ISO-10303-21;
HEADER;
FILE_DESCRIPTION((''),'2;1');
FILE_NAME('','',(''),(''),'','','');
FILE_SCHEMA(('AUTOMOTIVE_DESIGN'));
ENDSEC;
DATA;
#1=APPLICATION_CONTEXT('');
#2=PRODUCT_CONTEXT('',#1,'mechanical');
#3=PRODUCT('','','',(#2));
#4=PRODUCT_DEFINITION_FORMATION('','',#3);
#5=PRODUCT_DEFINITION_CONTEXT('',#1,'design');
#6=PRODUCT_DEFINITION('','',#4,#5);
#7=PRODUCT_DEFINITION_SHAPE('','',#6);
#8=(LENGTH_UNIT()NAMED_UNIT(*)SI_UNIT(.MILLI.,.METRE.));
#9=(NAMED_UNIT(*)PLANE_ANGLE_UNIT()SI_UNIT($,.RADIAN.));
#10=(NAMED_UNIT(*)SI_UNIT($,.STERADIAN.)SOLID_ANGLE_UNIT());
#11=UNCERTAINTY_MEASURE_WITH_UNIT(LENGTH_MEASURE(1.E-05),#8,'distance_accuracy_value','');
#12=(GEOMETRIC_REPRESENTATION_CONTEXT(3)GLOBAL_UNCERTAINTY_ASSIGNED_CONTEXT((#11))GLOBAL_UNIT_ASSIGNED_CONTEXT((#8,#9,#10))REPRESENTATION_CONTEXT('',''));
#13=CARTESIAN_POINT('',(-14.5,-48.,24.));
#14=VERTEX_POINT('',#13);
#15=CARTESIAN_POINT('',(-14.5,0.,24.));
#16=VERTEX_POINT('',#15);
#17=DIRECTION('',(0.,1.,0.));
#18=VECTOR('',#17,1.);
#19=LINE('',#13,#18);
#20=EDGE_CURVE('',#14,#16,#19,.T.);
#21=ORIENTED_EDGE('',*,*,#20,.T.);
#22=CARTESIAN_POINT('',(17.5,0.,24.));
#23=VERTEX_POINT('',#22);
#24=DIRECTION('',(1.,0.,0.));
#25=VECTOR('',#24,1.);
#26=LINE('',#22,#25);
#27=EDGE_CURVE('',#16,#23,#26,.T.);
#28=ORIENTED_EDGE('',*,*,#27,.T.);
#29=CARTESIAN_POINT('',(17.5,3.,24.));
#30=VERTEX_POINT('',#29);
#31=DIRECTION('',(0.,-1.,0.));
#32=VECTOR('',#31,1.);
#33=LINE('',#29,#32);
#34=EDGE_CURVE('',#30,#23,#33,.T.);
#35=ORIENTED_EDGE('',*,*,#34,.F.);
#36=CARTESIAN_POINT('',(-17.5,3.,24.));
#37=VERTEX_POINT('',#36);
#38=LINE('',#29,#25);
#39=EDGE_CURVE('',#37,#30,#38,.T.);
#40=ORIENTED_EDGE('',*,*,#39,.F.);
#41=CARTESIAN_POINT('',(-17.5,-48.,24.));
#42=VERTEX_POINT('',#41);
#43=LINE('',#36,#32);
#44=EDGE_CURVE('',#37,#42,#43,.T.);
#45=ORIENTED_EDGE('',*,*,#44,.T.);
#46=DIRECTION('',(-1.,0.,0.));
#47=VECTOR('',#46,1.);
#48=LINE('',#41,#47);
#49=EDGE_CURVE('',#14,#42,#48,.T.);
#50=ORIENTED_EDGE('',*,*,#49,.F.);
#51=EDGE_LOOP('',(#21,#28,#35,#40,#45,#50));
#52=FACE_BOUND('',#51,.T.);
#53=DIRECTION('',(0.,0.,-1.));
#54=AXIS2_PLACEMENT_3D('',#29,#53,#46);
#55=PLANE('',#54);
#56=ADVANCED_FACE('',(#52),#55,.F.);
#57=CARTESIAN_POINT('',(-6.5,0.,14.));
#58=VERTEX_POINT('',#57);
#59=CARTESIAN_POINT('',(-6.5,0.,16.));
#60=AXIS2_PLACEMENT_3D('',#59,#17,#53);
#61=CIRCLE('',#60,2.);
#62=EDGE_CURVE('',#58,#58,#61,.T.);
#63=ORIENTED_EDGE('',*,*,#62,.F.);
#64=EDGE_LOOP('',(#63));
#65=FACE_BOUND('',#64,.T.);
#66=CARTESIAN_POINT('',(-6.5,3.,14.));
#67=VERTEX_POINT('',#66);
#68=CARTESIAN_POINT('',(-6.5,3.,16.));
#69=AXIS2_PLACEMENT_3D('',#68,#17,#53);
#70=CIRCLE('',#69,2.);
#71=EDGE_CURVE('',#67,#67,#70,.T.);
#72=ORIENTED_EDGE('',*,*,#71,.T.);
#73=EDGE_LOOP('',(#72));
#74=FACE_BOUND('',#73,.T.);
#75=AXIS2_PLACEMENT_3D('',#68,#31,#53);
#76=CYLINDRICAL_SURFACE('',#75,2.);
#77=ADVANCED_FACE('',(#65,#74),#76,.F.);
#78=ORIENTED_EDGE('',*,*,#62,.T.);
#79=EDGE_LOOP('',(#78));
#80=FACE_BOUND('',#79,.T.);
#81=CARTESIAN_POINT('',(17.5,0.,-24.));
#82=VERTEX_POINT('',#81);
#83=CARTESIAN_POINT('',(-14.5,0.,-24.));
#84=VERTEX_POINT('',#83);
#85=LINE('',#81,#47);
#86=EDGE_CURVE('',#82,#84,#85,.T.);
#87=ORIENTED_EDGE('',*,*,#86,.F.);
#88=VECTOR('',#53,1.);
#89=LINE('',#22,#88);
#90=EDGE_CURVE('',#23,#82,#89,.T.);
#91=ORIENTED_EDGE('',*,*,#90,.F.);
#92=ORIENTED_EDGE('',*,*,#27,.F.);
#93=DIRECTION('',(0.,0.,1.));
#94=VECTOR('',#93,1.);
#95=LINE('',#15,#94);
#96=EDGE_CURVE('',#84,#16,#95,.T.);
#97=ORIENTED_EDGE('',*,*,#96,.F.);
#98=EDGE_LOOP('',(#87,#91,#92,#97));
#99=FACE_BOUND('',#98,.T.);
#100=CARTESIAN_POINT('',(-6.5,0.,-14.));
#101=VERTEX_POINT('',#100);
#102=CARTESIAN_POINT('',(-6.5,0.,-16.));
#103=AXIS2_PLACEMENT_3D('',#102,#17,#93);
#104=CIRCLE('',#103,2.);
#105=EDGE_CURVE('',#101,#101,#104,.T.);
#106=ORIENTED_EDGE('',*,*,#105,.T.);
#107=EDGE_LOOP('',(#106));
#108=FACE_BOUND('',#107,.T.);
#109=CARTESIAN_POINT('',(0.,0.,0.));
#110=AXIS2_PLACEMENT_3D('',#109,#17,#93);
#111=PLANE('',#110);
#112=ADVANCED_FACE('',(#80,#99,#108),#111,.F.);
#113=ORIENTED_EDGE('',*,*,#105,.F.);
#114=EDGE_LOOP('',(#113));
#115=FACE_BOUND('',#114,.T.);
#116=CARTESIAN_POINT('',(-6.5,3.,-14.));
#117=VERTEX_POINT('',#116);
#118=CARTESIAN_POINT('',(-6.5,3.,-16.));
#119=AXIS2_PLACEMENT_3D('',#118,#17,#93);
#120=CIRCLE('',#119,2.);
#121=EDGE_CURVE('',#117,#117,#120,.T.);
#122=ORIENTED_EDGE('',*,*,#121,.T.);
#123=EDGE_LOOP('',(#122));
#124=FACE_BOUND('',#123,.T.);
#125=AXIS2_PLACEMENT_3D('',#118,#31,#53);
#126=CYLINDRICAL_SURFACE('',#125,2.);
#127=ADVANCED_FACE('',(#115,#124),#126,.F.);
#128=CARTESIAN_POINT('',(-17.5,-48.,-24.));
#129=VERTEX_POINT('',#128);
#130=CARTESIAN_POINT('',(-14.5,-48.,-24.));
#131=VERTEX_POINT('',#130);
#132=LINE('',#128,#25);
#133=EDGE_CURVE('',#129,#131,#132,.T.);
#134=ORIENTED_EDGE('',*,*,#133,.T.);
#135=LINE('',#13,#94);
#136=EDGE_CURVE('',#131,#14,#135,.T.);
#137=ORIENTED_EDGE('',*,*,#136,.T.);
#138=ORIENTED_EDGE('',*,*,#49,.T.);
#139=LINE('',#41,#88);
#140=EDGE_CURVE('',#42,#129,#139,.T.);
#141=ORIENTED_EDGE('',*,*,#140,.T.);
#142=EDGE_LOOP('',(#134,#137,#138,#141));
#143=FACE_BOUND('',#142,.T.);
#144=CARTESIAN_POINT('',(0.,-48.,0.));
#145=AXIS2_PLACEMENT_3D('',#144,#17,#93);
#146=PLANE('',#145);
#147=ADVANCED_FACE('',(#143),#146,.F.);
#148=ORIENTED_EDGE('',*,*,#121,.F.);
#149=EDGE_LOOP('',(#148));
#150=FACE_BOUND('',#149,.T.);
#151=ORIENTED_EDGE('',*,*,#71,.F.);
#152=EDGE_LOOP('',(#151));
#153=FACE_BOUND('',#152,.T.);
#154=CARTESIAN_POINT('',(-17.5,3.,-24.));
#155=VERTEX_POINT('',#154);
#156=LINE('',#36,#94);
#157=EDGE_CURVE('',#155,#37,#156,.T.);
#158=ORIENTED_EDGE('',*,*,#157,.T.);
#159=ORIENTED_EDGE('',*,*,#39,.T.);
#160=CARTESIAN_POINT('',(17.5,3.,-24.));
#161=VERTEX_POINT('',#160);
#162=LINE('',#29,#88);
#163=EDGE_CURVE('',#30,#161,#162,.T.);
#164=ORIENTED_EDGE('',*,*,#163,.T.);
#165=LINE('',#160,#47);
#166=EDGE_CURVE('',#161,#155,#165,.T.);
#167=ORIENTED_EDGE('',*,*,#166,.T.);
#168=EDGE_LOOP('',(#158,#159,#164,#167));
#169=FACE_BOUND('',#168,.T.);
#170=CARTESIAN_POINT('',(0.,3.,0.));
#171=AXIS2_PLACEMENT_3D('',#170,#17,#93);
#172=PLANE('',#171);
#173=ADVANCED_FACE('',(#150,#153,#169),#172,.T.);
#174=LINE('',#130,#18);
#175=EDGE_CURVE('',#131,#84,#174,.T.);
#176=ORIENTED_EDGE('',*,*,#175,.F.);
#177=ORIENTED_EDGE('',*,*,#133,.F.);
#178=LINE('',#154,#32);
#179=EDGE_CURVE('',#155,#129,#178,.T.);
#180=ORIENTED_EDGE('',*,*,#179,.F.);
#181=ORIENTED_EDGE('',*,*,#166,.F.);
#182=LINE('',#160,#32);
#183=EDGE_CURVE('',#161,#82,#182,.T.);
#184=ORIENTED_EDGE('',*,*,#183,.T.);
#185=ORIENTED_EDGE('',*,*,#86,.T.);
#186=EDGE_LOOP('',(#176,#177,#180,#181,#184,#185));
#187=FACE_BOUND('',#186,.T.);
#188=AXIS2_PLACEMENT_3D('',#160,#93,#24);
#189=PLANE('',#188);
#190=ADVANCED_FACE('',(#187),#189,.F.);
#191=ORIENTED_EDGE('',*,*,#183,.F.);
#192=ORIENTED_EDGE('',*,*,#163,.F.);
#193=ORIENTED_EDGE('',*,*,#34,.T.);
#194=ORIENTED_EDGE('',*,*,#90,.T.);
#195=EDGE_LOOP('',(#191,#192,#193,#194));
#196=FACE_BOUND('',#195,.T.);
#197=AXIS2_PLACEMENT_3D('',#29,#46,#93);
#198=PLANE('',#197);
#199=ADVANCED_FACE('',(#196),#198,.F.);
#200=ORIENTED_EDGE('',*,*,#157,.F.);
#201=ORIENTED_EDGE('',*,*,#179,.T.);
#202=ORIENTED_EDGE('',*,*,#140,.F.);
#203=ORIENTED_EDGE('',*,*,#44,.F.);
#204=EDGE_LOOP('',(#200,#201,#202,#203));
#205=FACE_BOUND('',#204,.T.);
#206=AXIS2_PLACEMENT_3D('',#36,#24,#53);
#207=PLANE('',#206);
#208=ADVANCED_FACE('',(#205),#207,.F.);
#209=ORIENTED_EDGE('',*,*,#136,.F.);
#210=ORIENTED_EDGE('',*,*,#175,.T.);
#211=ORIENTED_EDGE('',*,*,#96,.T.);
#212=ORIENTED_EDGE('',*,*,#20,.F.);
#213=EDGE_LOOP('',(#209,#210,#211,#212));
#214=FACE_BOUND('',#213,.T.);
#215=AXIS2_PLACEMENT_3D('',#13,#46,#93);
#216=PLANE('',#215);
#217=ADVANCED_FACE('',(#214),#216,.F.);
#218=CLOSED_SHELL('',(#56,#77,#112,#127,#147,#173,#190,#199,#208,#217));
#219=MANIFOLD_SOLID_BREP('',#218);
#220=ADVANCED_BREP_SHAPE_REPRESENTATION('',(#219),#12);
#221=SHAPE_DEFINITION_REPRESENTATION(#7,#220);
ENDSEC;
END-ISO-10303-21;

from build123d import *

# Parameters (mm, degrees)
SKETCH1_W           = 35
SKETCH1_H           = 48
SKETCH1_R           = 2
BOSS_EXTRUDE1_DEPTH = 3
SKETCH2_W           = 3
SKETCH2_H           = 48
BOSS_EXTRUDE2_DEPTH = 48


with BuildPart() as part:
    # Sketch1 → Boss-Extrude1 (new body)
    with BuildSketch(Plane(origin=(0, 0, 0), x_dir=(1, 0, 0), z_dir=(0, 1, 0))):
        Rectangle(SKETCH1_W, SKETCH1_H)
        with Locations(Location((-6.5, 16, 0), (0, 0, 270))):
            Circle(SKETCH1_R, mode=Mode.SUBTRACT)
        with Locations(Location((-6.5, -16, 0), (0, 0, 90))):
            Circle(SKETCH1_R, mode=Mode.SUBTRACT)
    extrude(amount=BOSS_EXTRUDE1_DEPTH)

    # Sketch2 → Boss-Extrude2 (add)
    with BuildSketch(Plane.XZ):
        with Locations((-16, 0)):
            Rectangle(SKETCH2_W, SKETCH2_H)
    extrude(amount=BOSS_EXTRUDE2_DEPTH)


solid = part.part
